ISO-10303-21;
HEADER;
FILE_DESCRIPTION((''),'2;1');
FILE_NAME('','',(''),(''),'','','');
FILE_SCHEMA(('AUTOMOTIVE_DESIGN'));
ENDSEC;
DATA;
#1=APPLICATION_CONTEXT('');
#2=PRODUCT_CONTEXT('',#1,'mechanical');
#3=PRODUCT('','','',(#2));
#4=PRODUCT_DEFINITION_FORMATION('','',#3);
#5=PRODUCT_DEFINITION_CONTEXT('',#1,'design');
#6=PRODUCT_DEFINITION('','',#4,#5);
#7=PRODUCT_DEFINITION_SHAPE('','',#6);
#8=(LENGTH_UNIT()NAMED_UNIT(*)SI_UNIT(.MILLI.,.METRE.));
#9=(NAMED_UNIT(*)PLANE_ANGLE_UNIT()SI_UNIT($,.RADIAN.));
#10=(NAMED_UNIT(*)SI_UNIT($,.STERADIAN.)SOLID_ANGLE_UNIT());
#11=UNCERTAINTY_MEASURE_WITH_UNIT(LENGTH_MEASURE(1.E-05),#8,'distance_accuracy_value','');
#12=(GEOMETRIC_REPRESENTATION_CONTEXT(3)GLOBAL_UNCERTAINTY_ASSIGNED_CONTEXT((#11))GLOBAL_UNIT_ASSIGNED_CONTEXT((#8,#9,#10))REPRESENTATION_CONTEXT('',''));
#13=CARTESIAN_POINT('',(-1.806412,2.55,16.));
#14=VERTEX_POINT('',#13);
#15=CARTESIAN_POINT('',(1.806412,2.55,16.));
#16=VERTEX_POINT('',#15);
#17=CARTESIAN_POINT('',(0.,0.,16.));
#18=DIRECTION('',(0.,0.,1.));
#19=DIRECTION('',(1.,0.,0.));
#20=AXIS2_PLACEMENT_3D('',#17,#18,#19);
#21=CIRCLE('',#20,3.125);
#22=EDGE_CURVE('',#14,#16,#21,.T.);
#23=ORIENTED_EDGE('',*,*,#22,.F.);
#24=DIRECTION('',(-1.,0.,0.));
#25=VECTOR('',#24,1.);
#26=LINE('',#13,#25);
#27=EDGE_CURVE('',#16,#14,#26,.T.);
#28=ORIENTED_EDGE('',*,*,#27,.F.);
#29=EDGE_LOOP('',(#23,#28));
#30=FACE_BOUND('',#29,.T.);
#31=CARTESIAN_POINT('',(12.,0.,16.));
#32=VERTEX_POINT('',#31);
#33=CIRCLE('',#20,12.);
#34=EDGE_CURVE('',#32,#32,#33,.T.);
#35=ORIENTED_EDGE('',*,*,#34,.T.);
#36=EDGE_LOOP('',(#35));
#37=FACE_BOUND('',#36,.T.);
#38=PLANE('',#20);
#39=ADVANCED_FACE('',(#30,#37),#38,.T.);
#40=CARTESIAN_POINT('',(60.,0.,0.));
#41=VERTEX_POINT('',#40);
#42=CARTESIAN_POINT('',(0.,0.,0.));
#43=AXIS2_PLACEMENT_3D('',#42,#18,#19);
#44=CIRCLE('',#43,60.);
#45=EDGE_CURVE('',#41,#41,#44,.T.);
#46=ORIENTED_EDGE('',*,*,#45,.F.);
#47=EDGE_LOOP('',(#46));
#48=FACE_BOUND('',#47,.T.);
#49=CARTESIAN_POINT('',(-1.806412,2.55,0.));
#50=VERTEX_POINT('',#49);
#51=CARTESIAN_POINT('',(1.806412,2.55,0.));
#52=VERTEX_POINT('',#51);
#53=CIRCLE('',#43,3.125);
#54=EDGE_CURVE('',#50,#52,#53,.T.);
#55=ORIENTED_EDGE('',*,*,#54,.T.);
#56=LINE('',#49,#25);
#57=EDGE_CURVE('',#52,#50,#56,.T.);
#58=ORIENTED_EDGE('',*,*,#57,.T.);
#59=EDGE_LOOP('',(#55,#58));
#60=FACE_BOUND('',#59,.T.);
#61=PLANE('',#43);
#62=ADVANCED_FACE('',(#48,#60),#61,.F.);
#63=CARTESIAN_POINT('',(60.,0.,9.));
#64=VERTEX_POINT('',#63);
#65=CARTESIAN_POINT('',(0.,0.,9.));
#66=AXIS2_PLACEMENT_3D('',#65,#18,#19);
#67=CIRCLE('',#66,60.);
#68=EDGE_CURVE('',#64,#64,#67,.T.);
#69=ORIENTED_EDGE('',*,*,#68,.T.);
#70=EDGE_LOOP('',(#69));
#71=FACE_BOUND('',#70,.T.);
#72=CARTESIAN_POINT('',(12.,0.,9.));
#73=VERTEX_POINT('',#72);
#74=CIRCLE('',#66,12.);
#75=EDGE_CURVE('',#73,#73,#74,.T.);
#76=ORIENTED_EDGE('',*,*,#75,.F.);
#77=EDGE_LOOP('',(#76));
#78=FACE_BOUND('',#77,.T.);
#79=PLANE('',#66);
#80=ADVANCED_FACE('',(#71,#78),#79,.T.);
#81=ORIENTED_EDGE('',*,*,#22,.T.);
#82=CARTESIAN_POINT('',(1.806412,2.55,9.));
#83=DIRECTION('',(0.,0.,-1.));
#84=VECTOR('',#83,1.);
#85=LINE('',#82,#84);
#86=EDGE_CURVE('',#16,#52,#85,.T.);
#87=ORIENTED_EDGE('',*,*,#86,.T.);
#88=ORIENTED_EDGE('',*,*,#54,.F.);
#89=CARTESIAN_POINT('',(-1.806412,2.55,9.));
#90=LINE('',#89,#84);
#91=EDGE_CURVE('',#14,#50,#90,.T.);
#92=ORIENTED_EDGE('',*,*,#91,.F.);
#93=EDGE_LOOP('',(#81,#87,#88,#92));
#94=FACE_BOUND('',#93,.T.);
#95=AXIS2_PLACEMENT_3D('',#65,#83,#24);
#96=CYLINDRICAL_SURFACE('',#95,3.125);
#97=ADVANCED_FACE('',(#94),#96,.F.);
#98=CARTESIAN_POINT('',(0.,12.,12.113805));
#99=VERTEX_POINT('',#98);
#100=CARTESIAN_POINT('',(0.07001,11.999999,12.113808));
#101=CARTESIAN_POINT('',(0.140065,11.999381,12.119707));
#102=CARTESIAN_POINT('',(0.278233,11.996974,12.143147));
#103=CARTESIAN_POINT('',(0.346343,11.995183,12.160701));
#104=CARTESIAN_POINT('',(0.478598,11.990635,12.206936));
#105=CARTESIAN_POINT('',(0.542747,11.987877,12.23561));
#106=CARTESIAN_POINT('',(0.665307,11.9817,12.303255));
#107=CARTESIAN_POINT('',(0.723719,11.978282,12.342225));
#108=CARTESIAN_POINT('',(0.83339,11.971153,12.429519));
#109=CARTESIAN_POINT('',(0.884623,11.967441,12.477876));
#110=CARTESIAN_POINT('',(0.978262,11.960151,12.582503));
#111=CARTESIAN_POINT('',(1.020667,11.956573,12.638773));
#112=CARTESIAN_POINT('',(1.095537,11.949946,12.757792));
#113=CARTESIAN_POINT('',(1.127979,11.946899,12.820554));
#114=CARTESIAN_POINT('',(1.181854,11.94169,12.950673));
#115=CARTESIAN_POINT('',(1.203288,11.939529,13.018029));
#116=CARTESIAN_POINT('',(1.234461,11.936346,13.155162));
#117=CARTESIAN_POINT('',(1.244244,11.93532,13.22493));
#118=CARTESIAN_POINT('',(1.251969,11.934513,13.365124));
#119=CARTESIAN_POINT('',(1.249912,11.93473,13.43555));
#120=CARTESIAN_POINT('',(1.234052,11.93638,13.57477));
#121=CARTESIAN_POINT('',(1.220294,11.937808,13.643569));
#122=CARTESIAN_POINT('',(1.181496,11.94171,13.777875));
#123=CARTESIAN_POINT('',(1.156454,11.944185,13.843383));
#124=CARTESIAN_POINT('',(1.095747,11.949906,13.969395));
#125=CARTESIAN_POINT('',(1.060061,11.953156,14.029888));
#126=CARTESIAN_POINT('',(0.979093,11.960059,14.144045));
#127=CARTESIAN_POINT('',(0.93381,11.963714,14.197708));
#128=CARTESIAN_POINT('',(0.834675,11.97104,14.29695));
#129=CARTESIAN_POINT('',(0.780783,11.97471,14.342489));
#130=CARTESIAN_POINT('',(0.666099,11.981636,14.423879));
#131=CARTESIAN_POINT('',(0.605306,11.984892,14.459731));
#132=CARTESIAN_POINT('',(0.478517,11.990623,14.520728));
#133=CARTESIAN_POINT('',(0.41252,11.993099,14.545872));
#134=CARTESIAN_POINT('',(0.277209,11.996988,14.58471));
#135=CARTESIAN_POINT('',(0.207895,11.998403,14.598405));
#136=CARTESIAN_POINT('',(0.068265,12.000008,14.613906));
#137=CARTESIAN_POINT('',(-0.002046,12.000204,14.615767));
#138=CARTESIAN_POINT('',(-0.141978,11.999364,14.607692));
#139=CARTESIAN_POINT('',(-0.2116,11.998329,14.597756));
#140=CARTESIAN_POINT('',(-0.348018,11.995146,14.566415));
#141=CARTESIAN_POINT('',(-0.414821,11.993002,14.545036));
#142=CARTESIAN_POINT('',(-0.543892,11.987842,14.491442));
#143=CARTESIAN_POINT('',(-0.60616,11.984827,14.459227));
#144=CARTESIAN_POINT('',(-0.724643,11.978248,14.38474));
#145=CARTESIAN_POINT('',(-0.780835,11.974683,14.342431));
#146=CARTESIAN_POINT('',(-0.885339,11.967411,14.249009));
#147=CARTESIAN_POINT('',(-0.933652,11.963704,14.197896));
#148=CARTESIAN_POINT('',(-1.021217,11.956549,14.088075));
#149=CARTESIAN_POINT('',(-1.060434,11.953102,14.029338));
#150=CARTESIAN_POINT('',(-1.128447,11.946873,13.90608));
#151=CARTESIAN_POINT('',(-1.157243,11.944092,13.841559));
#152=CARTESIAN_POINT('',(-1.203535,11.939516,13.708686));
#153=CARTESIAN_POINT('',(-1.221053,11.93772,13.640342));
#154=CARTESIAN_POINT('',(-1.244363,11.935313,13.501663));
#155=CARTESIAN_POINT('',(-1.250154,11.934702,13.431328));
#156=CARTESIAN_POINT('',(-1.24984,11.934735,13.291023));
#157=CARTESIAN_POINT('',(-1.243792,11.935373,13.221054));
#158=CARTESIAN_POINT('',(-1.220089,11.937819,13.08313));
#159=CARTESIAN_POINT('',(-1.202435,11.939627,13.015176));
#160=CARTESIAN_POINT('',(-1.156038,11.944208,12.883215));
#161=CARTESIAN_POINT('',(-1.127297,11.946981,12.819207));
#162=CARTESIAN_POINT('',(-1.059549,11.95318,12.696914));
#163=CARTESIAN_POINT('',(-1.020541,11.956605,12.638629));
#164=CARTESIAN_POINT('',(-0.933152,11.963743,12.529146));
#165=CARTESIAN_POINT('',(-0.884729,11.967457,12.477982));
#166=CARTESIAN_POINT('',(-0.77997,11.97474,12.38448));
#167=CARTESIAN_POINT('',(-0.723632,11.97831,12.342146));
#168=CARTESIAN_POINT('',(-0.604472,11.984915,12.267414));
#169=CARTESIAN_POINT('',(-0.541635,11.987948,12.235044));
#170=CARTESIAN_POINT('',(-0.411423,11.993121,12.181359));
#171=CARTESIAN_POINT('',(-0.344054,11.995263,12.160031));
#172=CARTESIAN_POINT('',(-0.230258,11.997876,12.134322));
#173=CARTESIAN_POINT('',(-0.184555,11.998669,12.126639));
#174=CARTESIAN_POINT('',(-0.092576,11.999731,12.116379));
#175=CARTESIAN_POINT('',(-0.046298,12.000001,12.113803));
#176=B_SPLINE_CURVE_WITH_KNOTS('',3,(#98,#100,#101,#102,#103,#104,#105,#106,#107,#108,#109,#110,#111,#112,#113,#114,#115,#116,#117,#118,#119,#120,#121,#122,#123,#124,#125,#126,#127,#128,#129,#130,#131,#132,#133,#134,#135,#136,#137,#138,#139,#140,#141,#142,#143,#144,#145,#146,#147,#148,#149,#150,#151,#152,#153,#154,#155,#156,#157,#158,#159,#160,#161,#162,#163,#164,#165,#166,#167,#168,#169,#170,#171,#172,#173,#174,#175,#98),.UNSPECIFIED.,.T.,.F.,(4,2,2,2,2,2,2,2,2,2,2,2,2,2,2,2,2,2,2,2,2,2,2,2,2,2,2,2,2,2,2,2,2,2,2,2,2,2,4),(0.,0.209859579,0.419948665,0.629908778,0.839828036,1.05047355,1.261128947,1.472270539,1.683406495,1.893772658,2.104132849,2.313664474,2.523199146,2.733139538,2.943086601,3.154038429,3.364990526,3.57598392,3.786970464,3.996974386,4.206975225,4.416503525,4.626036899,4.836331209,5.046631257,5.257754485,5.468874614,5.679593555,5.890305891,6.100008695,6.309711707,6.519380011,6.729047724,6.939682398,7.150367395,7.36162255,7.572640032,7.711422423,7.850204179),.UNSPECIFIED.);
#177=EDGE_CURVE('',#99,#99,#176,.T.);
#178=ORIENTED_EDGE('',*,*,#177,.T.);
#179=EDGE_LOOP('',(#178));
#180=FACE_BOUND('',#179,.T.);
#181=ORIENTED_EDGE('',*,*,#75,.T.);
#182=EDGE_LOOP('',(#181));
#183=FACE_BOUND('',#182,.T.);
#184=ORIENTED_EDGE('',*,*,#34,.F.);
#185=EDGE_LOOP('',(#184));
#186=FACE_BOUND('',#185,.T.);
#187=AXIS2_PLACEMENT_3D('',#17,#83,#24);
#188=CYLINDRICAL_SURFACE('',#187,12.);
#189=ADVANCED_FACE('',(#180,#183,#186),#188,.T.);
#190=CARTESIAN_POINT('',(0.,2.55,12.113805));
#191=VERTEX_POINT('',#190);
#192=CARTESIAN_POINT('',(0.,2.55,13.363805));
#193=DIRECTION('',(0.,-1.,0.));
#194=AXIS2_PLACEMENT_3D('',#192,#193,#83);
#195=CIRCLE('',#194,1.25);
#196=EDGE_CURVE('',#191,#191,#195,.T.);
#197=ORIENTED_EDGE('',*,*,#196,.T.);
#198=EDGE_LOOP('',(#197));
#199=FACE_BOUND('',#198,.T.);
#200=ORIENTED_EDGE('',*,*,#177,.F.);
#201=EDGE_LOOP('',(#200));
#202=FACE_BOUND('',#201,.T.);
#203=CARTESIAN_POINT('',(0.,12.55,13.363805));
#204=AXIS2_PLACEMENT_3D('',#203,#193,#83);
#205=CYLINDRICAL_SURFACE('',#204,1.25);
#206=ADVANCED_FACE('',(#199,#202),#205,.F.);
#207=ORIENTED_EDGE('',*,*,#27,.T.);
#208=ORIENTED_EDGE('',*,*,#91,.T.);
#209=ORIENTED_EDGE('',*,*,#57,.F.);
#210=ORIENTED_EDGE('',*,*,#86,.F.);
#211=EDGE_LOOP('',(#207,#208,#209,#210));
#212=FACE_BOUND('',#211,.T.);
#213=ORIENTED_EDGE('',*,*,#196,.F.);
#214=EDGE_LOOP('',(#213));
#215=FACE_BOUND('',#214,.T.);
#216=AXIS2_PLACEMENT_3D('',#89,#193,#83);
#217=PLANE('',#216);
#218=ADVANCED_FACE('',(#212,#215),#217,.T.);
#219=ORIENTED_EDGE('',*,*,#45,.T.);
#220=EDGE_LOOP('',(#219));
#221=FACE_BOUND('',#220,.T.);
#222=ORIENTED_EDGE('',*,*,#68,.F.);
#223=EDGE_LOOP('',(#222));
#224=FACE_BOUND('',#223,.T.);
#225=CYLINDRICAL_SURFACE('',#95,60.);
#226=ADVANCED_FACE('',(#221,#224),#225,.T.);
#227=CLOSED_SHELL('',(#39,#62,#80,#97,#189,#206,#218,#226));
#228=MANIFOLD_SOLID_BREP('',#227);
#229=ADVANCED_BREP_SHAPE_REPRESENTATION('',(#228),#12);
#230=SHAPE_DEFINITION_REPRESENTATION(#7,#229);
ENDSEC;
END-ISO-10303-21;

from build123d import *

# Parameters (mm, degrees)
ESBO_O1_R                = 60
RESSALTO_EXTRUS_O1_DEPTH = 9
ESBO_O3_R                = 12
RESSALTO_EXTRUS_O2_DEPTH = 7
ESBO_O4_R                = 1.25
CORTE_EXTRUS_O1_DEPTH    = 10


with BuildPart() as part:
    # Esboço1 → Ressalto-extrusão1 (new body)
    with BuildSketch(Plane.XY):
        Circle(ESBO_O1_R)
        with BuildLine():
            Line((-1.80641219, 2.55), (1.80641219, 2.55))
            ThreePointArc((1.80641219, 2.55), (0, -3.125), (-1.80641219, 2.55))
        make_face(mode=Mode.SUBTRACT)
    extrude(amount=RESSALTO_EXTRUS_O1_DEPTH)

    # Esboço3 → Ressalto-extrusão2 (add)
    with BuildSketch(Plane.XY.offset(9)):
        Circle(ESBO_O3_R)
        with BuildLine():
            Line((-1.80641219, 2.55), (1.80641219, 2.55))
            ThreePointArc((1.80641219, 2.55), (0, -3.125), (-1.80641219, 2.55))
        make_face(mode=Mode.SUBTRACT)
    extrude(amount=RESSALTO_EXTRUS_O2_DEPTH)

    # Esboço4 → Corte-extrusão1 (cut)
    with BuildSketch(Plane.XZ.offset(-2.55)):
        with Locations((0, 13.363805145)):
            Circle(ESBO_O4_R)
    extrude(amount=-CORTE_EXTRUS_O1_DEPTH, mode=Mode.SUBTRACT)


solid = part.part
